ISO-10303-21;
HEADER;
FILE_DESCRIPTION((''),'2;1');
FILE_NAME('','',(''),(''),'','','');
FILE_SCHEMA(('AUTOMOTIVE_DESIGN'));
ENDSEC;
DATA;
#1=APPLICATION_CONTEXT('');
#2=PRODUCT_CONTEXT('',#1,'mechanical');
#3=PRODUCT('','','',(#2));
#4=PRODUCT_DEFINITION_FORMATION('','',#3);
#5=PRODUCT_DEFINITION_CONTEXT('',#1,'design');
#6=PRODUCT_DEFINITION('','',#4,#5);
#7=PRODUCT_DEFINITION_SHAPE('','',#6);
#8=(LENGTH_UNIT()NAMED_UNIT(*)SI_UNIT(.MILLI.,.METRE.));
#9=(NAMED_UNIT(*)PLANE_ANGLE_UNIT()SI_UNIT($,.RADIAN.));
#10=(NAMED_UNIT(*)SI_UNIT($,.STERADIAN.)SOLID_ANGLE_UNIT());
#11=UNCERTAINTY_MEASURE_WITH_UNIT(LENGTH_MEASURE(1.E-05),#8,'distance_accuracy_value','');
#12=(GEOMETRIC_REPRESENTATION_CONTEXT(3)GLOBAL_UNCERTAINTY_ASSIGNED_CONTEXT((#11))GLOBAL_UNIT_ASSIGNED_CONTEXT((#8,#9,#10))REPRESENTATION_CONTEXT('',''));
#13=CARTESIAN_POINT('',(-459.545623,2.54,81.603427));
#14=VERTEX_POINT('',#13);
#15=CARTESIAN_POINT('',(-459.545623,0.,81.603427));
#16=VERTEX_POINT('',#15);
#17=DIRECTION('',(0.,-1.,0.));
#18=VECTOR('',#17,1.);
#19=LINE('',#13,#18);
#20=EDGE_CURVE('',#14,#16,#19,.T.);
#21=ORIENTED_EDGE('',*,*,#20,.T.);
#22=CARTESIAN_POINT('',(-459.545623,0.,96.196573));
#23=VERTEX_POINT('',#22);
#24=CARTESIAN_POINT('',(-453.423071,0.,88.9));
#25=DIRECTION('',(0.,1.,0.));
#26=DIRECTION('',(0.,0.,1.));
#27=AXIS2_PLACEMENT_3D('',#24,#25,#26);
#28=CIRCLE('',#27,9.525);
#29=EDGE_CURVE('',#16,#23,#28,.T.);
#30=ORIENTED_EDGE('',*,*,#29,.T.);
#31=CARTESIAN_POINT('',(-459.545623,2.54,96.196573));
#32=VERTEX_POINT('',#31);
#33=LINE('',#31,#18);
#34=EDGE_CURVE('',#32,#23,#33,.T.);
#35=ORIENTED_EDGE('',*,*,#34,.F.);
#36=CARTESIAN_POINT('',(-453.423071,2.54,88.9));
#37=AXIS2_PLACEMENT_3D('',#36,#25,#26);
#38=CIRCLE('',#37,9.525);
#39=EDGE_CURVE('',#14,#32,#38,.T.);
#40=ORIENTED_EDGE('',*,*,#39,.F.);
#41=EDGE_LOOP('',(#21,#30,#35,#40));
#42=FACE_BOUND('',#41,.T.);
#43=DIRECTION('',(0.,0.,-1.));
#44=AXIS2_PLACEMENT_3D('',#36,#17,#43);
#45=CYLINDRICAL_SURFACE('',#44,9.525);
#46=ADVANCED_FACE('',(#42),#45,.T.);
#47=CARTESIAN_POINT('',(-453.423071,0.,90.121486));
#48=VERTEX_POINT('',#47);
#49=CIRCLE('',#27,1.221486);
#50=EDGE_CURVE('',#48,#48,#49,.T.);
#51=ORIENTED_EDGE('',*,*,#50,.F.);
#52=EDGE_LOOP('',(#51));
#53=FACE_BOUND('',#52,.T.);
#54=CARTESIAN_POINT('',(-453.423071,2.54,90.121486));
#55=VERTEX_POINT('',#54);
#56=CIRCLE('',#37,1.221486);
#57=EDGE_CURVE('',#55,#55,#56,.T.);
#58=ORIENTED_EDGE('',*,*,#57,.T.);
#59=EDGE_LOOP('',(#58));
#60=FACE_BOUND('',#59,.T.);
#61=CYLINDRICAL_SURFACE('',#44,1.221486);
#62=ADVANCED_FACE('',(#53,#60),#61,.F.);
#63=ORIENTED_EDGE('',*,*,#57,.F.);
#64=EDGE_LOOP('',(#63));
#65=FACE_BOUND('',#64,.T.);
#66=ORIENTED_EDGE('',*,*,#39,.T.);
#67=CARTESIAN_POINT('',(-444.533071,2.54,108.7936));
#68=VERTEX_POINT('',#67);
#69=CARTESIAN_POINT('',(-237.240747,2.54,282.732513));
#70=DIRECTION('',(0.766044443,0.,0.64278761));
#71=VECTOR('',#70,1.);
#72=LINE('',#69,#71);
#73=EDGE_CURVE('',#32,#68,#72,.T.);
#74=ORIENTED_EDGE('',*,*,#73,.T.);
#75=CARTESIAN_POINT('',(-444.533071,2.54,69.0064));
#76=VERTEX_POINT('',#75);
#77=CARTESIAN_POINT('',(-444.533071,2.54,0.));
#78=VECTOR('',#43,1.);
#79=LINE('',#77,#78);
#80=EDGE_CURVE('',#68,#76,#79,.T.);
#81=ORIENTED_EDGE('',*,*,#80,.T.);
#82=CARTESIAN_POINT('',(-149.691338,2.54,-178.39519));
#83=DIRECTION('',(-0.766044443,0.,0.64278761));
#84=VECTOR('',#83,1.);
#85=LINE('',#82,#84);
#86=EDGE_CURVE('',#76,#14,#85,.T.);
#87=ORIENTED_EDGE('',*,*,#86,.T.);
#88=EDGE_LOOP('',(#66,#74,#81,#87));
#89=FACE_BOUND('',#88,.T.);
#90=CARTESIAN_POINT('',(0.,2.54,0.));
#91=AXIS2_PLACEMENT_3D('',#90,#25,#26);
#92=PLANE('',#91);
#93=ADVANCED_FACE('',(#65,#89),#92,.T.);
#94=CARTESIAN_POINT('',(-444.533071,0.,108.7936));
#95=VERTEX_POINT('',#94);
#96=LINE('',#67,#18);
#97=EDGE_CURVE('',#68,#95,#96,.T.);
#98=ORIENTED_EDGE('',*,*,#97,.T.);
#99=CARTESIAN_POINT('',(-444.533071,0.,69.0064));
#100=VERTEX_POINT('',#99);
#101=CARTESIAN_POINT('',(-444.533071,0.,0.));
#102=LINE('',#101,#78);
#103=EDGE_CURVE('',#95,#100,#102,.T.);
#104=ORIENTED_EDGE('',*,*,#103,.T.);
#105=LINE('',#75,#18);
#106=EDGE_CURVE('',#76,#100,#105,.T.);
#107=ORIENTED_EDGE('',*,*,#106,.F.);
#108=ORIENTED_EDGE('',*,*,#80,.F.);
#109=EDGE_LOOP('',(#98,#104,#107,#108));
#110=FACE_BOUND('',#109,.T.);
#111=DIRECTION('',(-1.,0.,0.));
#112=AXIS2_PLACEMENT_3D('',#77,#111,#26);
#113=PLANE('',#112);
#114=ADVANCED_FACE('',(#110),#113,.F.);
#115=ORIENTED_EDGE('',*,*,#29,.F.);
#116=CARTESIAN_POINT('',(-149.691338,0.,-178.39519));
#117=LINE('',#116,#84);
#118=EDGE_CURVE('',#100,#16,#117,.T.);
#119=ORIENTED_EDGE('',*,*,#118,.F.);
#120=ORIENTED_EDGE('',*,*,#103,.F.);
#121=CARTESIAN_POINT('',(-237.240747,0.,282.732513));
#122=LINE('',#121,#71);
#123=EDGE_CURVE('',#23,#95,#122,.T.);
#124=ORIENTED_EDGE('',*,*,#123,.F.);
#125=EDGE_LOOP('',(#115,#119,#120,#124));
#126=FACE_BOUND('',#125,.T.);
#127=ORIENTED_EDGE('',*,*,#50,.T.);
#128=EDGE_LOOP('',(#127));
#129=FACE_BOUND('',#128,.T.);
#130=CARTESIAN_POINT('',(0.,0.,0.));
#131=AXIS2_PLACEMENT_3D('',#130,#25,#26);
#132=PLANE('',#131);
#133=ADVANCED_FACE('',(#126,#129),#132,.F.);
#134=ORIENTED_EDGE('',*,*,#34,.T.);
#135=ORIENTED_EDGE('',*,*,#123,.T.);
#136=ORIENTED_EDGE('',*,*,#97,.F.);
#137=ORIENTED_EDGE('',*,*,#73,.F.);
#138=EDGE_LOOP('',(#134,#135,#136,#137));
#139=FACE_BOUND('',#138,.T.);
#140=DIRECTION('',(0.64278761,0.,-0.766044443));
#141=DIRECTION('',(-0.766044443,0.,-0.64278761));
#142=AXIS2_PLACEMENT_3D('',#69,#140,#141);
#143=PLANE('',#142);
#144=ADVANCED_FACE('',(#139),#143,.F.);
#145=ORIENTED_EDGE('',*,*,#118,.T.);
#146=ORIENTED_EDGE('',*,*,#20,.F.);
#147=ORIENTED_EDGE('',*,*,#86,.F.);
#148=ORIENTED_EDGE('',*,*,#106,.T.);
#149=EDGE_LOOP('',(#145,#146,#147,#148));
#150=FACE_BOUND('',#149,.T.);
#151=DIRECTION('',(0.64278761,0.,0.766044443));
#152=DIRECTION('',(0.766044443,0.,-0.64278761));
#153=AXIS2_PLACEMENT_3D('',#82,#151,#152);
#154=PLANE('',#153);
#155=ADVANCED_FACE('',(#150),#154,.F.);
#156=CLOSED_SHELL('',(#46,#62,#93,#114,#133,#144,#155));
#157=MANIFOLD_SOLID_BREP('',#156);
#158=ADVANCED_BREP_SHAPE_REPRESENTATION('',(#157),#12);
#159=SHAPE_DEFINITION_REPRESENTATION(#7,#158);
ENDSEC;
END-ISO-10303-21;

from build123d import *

# Parameters (mm, degrees)
SKETCH1_R           = 1.22148615
BOSS_EXTRUDE1_DEPTH = 2.54


with BuildPart() as part:
    # Sketch1 → Boss-Extrude1 (new body)
    with BuildSketch(Plane(origin=(0, 0, 0), x_dir=(1, 0, 0), z_dir=(0, 1, 0))):
        with BuildLine():
            Line((-444.533071271, -69.006399848), (-459.545623253, -81.603426679))
            ThreePointArc((-459.545623253, -81.603426679), (-462.948071271, -88.9), (-459.545623253, -96.196573321))
            Line((-459.545623253, -96.196573321), (-444.533071271, -108.793600152))
            Line((-444.533071271, -108.793600152), (-444.533071271, -69.006399848))
        make_face()
        with Locations((-453.423071271, -88.9)):
            Circle(SKETCH1_R, mode=Mode.SUBTRACT)
    extrude(amount=BOSS_EXTRUDE1_DEPTH)


solid = part.part
